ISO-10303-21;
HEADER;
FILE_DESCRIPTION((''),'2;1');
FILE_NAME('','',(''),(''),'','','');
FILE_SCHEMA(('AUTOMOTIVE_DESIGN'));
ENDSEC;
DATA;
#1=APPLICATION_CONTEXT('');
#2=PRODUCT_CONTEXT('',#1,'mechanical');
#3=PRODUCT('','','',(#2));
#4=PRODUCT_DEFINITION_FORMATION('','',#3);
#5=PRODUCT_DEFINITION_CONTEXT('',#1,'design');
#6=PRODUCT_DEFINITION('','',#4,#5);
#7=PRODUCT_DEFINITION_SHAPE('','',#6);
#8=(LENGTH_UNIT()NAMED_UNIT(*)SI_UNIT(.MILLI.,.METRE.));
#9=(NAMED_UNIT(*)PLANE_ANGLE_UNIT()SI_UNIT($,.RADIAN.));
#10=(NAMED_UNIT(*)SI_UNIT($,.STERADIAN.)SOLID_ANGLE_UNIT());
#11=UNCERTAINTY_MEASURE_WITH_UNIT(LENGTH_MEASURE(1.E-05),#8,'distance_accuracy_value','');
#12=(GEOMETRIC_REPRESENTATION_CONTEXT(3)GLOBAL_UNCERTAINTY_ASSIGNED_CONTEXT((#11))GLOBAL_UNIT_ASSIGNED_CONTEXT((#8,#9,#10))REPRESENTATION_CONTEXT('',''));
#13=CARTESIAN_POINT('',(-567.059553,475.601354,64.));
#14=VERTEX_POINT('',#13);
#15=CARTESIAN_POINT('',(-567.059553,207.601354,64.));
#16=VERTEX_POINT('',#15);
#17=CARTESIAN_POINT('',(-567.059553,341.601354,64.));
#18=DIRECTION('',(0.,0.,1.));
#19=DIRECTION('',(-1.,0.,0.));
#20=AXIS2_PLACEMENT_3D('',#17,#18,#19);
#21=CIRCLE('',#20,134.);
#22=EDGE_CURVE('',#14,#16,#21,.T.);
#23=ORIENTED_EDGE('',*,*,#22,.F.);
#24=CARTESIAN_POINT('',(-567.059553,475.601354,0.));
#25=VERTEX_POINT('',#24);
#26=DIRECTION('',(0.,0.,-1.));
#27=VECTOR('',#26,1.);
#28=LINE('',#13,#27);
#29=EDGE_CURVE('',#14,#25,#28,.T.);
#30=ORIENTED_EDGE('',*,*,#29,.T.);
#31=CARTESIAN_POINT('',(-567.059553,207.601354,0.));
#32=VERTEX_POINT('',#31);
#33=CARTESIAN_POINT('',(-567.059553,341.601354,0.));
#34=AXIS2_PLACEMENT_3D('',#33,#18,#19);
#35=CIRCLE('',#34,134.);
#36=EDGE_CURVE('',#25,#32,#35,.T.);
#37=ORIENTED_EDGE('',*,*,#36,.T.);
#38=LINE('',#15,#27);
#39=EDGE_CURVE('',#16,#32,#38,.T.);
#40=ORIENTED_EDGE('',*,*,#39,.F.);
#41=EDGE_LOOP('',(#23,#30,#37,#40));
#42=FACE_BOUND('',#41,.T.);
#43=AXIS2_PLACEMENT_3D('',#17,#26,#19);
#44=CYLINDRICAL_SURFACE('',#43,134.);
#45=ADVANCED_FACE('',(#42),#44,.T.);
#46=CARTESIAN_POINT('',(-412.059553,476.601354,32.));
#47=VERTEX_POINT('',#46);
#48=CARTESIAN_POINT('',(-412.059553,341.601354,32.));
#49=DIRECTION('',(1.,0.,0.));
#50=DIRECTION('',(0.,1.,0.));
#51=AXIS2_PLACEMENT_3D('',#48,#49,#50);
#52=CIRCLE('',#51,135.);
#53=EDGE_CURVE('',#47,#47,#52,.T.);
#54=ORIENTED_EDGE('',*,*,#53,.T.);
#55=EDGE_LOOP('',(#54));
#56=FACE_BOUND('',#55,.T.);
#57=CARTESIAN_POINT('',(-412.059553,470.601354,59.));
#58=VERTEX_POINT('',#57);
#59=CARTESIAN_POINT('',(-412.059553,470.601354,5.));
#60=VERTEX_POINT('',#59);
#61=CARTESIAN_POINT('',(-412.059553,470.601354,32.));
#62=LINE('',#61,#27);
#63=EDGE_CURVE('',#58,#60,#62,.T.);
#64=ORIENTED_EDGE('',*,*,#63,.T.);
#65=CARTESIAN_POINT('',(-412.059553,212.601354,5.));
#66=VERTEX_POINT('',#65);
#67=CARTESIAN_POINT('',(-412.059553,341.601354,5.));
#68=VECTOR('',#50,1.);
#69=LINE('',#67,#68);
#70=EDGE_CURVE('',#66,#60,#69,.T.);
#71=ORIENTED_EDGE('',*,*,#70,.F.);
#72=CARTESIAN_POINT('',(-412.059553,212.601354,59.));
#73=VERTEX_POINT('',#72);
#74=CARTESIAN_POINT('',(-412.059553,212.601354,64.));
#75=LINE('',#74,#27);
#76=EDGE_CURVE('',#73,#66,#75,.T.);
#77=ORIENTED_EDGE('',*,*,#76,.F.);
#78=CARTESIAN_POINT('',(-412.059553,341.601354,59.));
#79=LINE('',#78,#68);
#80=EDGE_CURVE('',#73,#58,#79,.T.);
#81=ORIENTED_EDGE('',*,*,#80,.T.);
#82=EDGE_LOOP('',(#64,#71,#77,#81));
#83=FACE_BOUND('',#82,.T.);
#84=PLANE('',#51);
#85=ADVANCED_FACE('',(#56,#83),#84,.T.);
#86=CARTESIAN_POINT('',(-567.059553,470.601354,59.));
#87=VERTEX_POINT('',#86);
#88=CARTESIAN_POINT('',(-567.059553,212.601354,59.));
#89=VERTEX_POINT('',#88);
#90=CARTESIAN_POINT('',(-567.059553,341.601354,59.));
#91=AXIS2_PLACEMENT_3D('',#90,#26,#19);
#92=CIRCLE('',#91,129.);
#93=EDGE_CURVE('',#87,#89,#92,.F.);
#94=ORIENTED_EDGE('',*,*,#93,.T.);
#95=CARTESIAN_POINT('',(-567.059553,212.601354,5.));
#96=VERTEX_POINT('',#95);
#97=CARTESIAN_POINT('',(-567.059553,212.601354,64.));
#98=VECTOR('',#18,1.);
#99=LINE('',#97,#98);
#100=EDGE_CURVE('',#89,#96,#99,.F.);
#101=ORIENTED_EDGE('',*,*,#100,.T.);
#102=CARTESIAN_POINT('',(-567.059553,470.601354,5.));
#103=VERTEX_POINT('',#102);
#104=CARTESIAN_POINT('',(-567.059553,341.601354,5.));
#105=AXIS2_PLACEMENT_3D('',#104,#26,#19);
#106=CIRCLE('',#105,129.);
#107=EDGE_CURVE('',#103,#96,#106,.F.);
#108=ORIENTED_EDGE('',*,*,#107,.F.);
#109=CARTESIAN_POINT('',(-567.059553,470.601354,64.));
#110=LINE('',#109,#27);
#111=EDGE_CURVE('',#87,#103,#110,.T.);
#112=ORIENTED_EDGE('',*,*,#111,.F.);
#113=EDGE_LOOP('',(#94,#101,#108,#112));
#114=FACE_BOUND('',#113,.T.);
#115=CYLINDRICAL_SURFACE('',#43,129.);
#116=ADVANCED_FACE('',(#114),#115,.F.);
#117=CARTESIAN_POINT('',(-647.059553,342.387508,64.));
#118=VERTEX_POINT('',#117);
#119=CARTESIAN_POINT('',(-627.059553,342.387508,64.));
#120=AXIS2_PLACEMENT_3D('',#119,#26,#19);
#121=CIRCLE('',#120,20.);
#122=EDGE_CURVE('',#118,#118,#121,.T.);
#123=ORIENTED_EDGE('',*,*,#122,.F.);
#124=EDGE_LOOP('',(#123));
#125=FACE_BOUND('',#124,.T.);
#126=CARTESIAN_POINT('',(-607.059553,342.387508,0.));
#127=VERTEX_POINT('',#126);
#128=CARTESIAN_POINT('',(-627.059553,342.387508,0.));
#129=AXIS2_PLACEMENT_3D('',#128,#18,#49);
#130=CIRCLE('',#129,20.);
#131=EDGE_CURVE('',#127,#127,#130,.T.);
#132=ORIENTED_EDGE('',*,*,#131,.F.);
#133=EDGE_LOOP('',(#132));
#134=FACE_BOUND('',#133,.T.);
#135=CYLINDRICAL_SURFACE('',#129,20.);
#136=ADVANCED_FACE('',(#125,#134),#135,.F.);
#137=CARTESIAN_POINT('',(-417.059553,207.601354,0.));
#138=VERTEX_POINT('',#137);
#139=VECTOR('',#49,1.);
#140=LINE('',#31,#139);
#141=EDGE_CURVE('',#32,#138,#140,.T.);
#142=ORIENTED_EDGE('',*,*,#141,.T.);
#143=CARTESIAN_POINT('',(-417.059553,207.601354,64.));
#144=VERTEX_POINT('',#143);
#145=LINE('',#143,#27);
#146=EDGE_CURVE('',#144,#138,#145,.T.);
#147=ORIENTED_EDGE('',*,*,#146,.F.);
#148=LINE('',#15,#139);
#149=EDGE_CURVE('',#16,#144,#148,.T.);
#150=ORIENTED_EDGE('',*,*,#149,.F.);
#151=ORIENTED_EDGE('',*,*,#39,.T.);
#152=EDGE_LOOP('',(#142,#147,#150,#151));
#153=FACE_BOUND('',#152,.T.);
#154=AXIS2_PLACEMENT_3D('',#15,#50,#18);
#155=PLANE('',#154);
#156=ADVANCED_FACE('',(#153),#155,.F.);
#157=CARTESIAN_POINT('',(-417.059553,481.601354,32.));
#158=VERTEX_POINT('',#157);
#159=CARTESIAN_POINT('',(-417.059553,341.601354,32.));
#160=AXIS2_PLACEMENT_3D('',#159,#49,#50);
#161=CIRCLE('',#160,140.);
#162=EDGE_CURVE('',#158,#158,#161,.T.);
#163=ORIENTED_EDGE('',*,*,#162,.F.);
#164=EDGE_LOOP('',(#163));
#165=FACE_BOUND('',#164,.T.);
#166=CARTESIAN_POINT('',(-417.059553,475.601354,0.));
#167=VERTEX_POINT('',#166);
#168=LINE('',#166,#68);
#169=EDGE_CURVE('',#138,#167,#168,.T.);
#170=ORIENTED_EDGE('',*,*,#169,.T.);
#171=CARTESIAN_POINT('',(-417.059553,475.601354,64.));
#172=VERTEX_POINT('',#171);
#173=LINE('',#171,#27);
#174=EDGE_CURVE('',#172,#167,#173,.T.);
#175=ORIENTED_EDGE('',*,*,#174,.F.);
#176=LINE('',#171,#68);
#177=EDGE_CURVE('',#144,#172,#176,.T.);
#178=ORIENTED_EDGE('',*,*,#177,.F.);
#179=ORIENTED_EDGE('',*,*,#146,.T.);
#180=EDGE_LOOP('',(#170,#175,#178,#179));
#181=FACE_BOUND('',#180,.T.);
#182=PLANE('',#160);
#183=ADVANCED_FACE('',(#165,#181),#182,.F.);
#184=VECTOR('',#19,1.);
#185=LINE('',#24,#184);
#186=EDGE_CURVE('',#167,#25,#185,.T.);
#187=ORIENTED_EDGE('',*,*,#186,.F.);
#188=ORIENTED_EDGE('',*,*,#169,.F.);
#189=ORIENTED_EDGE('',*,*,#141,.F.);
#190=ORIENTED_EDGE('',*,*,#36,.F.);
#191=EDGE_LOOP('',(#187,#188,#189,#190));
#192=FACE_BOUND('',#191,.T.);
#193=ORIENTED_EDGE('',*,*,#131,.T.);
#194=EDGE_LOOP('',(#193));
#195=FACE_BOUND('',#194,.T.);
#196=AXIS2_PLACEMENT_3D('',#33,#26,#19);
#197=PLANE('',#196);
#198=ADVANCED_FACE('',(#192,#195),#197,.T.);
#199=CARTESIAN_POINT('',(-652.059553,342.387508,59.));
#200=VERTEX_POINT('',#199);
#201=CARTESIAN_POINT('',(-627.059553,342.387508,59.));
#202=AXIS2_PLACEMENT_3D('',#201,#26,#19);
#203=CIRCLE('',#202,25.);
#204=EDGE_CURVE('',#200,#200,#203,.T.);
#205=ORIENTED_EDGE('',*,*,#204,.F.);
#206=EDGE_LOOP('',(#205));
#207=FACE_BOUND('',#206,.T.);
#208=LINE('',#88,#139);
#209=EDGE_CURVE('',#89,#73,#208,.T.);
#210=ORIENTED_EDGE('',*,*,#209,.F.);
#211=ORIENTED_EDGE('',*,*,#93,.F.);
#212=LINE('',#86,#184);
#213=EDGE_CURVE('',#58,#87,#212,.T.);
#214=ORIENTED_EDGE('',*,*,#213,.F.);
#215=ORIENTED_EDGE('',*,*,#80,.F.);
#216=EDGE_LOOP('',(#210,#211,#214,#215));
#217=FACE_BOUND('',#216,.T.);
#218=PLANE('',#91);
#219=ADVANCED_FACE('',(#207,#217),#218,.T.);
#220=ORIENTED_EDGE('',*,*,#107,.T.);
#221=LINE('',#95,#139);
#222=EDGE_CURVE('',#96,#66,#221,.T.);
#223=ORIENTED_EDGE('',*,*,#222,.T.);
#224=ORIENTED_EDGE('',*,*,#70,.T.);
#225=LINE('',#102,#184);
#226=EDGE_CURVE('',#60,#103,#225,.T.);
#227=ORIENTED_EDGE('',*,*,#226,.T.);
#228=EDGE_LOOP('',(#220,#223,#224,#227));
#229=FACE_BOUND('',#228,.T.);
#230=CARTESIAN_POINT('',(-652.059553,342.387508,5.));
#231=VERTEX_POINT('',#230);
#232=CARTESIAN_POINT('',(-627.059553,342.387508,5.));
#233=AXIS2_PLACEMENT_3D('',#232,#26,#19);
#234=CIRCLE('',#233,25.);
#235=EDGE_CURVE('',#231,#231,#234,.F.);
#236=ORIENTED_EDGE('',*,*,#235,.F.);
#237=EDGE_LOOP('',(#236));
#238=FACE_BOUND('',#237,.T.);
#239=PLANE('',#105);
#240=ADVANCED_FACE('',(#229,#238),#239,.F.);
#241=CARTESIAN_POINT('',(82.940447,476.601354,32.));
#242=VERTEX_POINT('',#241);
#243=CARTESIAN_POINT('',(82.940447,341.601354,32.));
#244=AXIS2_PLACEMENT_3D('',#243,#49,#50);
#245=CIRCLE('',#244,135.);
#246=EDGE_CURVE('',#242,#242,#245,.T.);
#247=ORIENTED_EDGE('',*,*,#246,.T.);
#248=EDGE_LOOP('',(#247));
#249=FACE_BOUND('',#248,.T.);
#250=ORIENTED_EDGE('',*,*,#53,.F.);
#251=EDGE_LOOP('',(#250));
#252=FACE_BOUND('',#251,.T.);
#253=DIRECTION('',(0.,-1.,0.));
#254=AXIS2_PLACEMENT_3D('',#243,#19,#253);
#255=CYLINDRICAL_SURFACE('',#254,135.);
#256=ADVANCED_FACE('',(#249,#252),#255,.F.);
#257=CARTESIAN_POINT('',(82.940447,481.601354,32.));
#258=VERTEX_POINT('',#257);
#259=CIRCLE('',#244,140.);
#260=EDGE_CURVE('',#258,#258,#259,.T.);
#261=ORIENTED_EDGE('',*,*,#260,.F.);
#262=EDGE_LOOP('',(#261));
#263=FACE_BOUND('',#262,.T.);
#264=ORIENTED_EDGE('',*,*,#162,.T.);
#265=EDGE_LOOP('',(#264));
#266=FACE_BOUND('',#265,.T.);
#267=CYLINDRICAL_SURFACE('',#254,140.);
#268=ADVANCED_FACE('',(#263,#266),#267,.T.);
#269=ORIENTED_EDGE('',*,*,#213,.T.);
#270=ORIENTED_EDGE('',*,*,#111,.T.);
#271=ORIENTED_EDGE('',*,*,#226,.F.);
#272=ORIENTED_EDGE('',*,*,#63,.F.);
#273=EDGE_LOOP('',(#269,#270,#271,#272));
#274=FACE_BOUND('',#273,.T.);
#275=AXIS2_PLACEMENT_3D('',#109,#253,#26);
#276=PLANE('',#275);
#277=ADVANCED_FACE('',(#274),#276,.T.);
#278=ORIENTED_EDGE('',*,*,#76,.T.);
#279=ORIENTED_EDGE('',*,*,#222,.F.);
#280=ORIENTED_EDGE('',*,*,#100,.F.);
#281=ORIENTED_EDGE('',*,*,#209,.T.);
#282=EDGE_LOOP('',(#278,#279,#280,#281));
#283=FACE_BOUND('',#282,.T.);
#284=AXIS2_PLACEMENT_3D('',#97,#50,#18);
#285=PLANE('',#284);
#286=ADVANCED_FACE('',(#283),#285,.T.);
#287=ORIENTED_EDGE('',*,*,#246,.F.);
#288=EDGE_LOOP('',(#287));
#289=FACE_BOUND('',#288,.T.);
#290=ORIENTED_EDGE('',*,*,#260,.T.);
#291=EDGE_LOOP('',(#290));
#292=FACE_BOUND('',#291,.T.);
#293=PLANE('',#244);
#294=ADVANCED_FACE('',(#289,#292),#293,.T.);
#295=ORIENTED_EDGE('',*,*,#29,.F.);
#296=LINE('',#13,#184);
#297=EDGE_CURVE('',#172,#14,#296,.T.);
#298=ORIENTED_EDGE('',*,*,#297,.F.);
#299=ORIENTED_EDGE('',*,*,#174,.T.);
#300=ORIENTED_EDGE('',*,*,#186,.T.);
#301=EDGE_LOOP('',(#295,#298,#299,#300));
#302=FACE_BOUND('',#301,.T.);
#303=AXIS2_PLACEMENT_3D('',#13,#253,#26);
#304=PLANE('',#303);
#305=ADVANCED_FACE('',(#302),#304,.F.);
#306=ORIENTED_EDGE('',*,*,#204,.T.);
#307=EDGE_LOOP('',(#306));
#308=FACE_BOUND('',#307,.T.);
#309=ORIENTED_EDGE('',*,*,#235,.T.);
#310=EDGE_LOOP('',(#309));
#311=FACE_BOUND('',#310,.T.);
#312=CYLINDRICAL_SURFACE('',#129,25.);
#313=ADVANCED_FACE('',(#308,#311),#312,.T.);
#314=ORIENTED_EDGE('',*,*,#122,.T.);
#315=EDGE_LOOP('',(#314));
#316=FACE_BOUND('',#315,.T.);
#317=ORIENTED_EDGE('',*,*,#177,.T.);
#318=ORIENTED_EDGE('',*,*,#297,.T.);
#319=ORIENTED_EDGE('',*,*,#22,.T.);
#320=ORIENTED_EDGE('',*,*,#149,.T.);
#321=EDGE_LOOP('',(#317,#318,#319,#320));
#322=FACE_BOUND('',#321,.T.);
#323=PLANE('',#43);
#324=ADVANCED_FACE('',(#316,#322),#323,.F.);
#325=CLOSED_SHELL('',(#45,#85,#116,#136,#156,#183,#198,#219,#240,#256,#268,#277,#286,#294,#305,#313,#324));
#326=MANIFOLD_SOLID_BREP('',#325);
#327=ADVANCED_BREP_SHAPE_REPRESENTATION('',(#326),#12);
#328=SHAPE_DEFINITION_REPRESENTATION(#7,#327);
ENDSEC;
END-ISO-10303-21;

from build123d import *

# Parameters (mm, degrees)
EXTRUDE_1_DEPTH          = 64
CUT_EXTRUDE_1_DEPTH      = 850.57468483
CUT_EXTRUDE_1_DEPTH_BACK = 850.57468483
SKETCH_2_R               = 20
SKETCH_4_R               = 140
EXTRUDE_4_DEPTH          = 500
SHELL_6_T                = -5


with BuildPart() as part:
    # 草图1 → 凸台-拉伸1 (new body)
    with BuildSketch(Plane.XY):
        with BuildLine():
            Line((-567.059552989, 207.601354358), (-417.059552989, 207.601354358))
            Line((-417.059552989, 207.601354358), (-417.059552989, 475.601354358))
            Line((-417.059552989, 475.601354358), (-567.059552989, 475.601354358))
            ThreePointArc((-567.059552989, 475.601354358), (-701.059552989, 341.601354358), (-567.059552989, 207.601354358))
        make_face()
    extrude(amount=EXTRUDE_1_DEPTH)

    # 草图2 → 切除-拉伸1 (cut, two sides: drawn at the far end of the back side and taken through both)
    with BuildSketch(Plane.XY.offset(64).offset(-CUT_EXTRUDE_1_DEPTH_BACK)):
        with Locations((-627.059552989, 342.387508152)):
            Circle(SKETCH_2_R)
    extrude(amount=CUT_EXTRUDE_1_DEPTH + CUT_EXTRUDE_1_DEPTH_BACK, mode=Mode.SUBTRACT)

    # 草图4 → 凸台-拉伸4 (add)
    with BuildSketch(Plane(origin=(-417.059552989, 0, 0), x_dir=(0, 0, -1), z_dir=(1, 0, 0))):
        with Locations(Location((-32, 341.601354358, 0), (0, 0, 90))):
            Circle(SKETCH_4_R)
    extrude(amount=EXTRUDE_4_DEPTH)

    # 抽壳6
    shell_6_openings = [part.faces().sort_by_distance(p)[0] for p in [
        (82.940447011, 341.601354358, 32),
    ]]
    offset(amount=SHELL_6_T, openings=shell_6_openings, kind=Kind.INTERSECTION)


solid = part.part
